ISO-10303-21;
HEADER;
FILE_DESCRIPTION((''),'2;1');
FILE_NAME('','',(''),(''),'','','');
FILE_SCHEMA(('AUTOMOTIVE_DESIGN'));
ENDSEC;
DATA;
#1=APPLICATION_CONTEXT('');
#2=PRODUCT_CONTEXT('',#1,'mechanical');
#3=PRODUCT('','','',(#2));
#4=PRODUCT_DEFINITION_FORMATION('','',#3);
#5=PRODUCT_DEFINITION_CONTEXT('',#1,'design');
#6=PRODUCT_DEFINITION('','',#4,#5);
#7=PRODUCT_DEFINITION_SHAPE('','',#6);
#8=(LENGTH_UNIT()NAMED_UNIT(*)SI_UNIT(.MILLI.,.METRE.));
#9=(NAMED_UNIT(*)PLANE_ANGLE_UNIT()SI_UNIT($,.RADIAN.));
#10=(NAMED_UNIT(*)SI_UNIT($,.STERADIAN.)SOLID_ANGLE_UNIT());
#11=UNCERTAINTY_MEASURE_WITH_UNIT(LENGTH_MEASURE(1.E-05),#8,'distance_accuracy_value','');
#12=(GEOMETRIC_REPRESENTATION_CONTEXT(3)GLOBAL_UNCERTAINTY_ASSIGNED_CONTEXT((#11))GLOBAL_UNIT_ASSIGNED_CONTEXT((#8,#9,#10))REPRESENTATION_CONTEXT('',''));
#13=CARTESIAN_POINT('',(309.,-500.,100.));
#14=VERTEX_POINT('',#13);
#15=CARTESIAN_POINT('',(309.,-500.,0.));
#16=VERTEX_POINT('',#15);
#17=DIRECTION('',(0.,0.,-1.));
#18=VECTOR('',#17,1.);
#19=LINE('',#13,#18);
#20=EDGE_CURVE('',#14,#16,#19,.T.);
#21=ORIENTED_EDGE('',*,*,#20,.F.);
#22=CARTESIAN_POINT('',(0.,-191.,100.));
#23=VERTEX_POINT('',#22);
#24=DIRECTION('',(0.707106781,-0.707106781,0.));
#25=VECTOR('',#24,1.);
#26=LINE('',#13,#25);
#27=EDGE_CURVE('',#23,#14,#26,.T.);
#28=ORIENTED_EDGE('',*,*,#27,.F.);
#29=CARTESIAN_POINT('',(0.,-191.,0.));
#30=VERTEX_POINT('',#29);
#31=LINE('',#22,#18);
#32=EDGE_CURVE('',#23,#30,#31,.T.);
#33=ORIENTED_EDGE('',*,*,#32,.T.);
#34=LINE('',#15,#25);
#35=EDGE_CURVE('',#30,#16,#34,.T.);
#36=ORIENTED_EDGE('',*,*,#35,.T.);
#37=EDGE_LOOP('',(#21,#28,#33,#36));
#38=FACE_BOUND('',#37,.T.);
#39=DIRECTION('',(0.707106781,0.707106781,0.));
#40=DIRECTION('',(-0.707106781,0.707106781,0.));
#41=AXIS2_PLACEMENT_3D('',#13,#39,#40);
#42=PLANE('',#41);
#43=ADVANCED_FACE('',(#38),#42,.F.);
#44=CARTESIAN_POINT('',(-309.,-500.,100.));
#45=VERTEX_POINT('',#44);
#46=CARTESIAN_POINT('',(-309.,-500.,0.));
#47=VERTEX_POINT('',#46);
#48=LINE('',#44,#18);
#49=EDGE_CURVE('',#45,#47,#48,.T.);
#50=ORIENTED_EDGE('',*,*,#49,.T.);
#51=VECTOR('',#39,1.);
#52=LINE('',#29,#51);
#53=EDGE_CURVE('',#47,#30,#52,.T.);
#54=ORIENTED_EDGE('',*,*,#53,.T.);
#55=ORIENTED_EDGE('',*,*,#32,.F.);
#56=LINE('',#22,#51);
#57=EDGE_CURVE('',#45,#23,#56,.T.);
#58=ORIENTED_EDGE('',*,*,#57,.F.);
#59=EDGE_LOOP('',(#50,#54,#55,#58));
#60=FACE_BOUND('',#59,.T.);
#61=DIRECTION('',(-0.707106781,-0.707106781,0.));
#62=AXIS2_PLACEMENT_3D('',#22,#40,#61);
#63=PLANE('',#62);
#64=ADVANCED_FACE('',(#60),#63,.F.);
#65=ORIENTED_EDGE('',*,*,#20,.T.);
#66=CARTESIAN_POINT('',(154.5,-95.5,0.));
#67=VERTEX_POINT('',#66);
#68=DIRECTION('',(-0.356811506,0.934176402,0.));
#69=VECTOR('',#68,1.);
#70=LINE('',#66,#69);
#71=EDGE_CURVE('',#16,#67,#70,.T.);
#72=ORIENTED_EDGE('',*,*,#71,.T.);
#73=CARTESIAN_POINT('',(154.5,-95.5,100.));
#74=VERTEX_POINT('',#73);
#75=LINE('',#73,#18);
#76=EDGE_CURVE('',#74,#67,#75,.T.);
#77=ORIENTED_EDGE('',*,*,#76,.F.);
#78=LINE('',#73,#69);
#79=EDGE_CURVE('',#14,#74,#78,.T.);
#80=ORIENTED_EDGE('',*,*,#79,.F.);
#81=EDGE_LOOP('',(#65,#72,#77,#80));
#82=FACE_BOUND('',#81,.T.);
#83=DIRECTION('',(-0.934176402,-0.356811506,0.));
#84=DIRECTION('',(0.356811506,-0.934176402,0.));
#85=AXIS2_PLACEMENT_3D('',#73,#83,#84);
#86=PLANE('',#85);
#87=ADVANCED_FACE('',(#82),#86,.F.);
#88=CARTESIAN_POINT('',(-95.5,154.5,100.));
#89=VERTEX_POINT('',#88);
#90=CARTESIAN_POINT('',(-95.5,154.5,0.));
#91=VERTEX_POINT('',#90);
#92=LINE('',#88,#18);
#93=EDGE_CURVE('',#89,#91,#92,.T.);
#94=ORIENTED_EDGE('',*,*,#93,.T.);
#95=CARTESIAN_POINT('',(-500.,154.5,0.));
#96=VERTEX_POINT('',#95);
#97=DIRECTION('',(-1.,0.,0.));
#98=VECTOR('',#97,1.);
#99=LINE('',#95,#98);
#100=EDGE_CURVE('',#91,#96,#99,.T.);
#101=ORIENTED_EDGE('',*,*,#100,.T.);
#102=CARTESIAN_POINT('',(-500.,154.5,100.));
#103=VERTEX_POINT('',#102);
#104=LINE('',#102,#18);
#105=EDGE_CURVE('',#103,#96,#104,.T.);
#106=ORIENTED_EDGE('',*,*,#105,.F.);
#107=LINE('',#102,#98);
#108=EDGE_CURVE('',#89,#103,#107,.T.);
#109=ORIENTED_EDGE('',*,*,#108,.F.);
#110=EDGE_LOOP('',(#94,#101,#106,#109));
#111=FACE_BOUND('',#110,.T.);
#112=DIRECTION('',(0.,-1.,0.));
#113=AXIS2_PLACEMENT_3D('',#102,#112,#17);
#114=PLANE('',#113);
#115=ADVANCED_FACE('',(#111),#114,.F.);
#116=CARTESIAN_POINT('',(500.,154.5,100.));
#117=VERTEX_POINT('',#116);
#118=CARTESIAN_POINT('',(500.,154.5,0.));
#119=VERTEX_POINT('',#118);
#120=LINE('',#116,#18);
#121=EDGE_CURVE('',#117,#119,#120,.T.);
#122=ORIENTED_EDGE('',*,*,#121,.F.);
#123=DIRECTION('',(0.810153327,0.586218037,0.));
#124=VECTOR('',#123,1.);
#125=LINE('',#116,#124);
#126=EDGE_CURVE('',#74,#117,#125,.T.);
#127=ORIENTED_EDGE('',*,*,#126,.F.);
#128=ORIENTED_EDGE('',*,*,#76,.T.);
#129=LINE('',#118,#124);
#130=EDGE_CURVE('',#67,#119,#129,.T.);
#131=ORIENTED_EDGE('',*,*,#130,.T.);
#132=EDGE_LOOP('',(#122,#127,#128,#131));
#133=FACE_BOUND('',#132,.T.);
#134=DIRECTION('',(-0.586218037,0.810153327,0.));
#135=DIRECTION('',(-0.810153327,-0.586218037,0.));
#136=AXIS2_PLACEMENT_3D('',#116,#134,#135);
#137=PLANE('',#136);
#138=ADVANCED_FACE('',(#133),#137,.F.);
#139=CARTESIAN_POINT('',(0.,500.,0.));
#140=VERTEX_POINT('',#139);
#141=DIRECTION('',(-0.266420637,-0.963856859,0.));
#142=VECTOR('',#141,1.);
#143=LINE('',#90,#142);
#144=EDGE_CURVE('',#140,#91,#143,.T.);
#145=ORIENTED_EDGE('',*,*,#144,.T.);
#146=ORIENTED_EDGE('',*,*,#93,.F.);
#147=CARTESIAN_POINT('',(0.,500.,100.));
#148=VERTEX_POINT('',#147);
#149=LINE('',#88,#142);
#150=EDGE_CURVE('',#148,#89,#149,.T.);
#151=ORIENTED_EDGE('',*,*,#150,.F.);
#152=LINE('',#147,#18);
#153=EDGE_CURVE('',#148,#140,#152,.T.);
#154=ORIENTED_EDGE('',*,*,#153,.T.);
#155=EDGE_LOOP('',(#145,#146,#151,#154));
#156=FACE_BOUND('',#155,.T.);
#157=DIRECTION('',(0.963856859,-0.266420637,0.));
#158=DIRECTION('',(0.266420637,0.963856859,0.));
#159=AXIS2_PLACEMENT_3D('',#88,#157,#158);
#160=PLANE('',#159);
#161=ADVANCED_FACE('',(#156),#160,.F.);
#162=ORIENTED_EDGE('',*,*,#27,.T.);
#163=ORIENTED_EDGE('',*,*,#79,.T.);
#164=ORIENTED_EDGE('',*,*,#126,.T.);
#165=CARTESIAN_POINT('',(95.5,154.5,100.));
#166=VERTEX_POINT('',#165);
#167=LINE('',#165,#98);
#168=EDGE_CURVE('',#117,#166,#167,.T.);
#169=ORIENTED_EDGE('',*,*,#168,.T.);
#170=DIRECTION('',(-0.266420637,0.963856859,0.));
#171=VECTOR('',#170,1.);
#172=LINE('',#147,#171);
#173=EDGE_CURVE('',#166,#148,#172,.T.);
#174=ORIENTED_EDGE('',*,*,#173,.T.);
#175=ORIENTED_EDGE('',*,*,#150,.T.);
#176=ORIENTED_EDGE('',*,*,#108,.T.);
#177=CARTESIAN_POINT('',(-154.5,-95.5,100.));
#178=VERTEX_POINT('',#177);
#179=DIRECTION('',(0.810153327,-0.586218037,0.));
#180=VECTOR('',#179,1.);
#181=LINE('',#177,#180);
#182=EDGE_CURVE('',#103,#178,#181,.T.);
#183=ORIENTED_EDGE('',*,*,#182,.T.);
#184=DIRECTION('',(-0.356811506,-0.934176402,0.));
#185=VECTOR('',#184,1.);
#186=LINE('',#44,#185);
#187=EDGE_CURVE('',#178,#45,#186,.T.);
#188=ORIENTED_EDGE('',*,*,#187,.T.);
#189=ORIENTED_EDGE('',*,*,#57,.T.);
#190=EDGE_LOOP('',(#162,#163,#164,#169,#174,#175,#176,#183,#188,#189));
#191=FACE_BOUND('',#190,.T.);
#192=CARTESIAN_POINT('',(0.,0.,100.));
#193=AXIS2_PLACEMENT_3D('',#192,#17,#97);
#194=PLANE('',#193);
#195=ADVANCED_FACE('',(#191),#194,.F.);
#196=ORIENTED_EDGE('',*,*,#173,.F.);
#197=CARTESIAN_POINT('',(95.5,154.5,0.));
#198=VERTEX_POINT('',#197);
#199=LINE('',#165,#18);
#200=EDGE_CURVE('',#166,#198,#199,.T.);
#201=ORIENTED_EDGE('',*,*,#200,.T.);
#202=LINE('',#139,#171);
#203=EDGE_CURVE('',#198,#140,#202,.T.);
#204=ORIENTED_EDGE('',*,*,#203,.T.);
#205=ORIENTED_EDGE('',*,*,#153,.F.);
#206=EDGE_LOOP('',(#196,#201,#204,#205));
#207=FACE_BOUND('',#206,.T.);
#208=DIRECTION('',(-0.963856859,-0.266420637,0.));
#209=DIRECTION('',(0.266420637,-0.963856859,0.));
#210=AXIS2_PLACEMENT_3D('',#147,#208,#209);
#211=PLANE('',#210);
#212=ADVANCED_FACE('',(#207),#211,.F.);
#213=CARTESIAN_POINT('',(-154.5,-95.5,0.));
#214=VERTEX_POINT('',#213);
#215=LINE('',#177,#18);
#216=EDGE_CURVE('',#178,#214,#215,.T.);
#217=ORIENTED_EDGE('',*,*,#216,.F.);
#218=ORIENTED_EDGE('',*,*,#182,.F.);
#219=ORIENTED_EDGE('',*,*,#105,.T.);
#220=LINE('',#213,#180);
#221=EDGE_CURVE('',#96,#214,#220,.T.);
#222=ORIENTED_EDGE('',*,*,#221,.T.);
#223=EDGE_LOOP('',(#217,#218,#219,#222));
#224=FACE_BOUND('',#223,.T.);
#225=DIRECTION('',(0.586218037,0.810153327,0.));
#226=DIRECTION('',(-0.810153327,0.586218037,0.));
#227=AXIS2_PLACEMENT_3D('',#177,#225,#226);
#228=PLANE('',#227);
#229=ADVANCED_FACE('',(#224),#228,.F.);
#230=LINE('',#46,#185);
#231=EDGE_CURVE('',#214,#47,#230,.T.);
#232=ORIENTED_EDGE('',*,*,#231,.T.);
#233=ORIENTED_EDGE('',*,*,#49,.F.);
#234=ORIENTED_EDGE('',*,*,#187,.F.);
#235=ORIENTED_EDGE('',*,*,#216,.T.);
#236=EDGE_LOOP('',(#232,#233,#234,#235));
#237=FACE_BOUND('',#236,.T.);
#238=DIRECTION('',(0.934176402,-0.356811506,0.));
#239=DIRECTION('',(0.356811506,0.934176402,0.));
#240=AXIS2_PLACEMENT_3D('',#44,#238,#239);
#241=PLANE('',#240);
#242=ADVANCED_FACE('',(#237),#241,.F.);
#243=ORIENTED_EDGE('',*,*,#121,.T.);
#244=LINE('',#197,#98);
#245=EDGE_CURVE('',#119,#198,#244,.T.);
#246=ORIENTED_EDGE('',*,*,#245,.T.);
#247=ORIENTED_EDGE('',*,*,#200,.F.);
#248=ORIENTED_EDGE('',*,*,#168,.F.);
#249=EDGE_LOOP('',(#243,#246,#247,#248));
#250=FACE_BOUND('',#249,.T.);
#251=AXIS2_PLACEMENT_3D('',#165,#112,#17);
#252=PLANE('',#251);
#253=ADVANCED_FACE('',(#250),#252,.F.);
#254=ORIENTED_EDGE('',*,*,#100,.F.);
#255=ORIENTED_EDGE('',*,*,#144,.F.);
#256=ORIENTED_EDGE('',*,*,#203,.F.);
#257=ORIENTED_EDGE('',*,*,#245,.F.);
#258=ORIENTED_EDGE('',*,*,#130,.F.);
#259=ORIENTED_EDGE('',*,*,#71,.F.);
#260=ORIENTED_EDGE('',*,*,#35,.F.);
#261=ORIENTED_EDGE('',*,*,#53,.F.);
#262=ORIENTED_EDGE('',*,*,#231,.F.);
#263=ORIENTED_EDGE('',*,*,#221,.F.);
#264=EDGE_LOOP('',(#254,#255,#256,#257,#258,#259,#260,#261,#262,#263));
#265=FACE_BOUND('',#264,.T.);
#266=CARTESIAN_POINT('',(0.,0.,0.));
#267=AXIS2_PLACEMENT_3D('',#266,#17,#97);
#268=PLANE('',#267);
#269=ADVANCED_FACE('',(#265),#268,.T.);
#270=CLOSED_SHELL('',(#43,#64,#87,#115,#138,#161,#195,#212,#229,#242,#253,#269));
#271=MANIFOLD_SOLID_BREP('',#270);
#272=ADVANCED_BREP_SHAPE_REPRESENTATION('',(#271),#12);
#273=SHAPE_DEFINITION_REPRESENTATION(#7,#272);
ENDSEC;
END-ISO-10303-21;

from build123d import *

# Parameters (mm, degrees)
EXTRUDE_1_DEPTH = 100


with BuildPart() as part:
    # 草图1 → 凸台-拉伸1 (new body)
    with BuildSketch(Plane.XY):
        Polygon((0, 500), (95.5, 154.5), (500, 154.5), (154.5, -95.5), (309, -500), (0, -191), (-309, -500), (-154.5, -95.5), (-500, 154.5), (-95.5, 154.5), align=None)
    extrude(amount=EXTRUDE_1_DEPTH)


solid = part.part
